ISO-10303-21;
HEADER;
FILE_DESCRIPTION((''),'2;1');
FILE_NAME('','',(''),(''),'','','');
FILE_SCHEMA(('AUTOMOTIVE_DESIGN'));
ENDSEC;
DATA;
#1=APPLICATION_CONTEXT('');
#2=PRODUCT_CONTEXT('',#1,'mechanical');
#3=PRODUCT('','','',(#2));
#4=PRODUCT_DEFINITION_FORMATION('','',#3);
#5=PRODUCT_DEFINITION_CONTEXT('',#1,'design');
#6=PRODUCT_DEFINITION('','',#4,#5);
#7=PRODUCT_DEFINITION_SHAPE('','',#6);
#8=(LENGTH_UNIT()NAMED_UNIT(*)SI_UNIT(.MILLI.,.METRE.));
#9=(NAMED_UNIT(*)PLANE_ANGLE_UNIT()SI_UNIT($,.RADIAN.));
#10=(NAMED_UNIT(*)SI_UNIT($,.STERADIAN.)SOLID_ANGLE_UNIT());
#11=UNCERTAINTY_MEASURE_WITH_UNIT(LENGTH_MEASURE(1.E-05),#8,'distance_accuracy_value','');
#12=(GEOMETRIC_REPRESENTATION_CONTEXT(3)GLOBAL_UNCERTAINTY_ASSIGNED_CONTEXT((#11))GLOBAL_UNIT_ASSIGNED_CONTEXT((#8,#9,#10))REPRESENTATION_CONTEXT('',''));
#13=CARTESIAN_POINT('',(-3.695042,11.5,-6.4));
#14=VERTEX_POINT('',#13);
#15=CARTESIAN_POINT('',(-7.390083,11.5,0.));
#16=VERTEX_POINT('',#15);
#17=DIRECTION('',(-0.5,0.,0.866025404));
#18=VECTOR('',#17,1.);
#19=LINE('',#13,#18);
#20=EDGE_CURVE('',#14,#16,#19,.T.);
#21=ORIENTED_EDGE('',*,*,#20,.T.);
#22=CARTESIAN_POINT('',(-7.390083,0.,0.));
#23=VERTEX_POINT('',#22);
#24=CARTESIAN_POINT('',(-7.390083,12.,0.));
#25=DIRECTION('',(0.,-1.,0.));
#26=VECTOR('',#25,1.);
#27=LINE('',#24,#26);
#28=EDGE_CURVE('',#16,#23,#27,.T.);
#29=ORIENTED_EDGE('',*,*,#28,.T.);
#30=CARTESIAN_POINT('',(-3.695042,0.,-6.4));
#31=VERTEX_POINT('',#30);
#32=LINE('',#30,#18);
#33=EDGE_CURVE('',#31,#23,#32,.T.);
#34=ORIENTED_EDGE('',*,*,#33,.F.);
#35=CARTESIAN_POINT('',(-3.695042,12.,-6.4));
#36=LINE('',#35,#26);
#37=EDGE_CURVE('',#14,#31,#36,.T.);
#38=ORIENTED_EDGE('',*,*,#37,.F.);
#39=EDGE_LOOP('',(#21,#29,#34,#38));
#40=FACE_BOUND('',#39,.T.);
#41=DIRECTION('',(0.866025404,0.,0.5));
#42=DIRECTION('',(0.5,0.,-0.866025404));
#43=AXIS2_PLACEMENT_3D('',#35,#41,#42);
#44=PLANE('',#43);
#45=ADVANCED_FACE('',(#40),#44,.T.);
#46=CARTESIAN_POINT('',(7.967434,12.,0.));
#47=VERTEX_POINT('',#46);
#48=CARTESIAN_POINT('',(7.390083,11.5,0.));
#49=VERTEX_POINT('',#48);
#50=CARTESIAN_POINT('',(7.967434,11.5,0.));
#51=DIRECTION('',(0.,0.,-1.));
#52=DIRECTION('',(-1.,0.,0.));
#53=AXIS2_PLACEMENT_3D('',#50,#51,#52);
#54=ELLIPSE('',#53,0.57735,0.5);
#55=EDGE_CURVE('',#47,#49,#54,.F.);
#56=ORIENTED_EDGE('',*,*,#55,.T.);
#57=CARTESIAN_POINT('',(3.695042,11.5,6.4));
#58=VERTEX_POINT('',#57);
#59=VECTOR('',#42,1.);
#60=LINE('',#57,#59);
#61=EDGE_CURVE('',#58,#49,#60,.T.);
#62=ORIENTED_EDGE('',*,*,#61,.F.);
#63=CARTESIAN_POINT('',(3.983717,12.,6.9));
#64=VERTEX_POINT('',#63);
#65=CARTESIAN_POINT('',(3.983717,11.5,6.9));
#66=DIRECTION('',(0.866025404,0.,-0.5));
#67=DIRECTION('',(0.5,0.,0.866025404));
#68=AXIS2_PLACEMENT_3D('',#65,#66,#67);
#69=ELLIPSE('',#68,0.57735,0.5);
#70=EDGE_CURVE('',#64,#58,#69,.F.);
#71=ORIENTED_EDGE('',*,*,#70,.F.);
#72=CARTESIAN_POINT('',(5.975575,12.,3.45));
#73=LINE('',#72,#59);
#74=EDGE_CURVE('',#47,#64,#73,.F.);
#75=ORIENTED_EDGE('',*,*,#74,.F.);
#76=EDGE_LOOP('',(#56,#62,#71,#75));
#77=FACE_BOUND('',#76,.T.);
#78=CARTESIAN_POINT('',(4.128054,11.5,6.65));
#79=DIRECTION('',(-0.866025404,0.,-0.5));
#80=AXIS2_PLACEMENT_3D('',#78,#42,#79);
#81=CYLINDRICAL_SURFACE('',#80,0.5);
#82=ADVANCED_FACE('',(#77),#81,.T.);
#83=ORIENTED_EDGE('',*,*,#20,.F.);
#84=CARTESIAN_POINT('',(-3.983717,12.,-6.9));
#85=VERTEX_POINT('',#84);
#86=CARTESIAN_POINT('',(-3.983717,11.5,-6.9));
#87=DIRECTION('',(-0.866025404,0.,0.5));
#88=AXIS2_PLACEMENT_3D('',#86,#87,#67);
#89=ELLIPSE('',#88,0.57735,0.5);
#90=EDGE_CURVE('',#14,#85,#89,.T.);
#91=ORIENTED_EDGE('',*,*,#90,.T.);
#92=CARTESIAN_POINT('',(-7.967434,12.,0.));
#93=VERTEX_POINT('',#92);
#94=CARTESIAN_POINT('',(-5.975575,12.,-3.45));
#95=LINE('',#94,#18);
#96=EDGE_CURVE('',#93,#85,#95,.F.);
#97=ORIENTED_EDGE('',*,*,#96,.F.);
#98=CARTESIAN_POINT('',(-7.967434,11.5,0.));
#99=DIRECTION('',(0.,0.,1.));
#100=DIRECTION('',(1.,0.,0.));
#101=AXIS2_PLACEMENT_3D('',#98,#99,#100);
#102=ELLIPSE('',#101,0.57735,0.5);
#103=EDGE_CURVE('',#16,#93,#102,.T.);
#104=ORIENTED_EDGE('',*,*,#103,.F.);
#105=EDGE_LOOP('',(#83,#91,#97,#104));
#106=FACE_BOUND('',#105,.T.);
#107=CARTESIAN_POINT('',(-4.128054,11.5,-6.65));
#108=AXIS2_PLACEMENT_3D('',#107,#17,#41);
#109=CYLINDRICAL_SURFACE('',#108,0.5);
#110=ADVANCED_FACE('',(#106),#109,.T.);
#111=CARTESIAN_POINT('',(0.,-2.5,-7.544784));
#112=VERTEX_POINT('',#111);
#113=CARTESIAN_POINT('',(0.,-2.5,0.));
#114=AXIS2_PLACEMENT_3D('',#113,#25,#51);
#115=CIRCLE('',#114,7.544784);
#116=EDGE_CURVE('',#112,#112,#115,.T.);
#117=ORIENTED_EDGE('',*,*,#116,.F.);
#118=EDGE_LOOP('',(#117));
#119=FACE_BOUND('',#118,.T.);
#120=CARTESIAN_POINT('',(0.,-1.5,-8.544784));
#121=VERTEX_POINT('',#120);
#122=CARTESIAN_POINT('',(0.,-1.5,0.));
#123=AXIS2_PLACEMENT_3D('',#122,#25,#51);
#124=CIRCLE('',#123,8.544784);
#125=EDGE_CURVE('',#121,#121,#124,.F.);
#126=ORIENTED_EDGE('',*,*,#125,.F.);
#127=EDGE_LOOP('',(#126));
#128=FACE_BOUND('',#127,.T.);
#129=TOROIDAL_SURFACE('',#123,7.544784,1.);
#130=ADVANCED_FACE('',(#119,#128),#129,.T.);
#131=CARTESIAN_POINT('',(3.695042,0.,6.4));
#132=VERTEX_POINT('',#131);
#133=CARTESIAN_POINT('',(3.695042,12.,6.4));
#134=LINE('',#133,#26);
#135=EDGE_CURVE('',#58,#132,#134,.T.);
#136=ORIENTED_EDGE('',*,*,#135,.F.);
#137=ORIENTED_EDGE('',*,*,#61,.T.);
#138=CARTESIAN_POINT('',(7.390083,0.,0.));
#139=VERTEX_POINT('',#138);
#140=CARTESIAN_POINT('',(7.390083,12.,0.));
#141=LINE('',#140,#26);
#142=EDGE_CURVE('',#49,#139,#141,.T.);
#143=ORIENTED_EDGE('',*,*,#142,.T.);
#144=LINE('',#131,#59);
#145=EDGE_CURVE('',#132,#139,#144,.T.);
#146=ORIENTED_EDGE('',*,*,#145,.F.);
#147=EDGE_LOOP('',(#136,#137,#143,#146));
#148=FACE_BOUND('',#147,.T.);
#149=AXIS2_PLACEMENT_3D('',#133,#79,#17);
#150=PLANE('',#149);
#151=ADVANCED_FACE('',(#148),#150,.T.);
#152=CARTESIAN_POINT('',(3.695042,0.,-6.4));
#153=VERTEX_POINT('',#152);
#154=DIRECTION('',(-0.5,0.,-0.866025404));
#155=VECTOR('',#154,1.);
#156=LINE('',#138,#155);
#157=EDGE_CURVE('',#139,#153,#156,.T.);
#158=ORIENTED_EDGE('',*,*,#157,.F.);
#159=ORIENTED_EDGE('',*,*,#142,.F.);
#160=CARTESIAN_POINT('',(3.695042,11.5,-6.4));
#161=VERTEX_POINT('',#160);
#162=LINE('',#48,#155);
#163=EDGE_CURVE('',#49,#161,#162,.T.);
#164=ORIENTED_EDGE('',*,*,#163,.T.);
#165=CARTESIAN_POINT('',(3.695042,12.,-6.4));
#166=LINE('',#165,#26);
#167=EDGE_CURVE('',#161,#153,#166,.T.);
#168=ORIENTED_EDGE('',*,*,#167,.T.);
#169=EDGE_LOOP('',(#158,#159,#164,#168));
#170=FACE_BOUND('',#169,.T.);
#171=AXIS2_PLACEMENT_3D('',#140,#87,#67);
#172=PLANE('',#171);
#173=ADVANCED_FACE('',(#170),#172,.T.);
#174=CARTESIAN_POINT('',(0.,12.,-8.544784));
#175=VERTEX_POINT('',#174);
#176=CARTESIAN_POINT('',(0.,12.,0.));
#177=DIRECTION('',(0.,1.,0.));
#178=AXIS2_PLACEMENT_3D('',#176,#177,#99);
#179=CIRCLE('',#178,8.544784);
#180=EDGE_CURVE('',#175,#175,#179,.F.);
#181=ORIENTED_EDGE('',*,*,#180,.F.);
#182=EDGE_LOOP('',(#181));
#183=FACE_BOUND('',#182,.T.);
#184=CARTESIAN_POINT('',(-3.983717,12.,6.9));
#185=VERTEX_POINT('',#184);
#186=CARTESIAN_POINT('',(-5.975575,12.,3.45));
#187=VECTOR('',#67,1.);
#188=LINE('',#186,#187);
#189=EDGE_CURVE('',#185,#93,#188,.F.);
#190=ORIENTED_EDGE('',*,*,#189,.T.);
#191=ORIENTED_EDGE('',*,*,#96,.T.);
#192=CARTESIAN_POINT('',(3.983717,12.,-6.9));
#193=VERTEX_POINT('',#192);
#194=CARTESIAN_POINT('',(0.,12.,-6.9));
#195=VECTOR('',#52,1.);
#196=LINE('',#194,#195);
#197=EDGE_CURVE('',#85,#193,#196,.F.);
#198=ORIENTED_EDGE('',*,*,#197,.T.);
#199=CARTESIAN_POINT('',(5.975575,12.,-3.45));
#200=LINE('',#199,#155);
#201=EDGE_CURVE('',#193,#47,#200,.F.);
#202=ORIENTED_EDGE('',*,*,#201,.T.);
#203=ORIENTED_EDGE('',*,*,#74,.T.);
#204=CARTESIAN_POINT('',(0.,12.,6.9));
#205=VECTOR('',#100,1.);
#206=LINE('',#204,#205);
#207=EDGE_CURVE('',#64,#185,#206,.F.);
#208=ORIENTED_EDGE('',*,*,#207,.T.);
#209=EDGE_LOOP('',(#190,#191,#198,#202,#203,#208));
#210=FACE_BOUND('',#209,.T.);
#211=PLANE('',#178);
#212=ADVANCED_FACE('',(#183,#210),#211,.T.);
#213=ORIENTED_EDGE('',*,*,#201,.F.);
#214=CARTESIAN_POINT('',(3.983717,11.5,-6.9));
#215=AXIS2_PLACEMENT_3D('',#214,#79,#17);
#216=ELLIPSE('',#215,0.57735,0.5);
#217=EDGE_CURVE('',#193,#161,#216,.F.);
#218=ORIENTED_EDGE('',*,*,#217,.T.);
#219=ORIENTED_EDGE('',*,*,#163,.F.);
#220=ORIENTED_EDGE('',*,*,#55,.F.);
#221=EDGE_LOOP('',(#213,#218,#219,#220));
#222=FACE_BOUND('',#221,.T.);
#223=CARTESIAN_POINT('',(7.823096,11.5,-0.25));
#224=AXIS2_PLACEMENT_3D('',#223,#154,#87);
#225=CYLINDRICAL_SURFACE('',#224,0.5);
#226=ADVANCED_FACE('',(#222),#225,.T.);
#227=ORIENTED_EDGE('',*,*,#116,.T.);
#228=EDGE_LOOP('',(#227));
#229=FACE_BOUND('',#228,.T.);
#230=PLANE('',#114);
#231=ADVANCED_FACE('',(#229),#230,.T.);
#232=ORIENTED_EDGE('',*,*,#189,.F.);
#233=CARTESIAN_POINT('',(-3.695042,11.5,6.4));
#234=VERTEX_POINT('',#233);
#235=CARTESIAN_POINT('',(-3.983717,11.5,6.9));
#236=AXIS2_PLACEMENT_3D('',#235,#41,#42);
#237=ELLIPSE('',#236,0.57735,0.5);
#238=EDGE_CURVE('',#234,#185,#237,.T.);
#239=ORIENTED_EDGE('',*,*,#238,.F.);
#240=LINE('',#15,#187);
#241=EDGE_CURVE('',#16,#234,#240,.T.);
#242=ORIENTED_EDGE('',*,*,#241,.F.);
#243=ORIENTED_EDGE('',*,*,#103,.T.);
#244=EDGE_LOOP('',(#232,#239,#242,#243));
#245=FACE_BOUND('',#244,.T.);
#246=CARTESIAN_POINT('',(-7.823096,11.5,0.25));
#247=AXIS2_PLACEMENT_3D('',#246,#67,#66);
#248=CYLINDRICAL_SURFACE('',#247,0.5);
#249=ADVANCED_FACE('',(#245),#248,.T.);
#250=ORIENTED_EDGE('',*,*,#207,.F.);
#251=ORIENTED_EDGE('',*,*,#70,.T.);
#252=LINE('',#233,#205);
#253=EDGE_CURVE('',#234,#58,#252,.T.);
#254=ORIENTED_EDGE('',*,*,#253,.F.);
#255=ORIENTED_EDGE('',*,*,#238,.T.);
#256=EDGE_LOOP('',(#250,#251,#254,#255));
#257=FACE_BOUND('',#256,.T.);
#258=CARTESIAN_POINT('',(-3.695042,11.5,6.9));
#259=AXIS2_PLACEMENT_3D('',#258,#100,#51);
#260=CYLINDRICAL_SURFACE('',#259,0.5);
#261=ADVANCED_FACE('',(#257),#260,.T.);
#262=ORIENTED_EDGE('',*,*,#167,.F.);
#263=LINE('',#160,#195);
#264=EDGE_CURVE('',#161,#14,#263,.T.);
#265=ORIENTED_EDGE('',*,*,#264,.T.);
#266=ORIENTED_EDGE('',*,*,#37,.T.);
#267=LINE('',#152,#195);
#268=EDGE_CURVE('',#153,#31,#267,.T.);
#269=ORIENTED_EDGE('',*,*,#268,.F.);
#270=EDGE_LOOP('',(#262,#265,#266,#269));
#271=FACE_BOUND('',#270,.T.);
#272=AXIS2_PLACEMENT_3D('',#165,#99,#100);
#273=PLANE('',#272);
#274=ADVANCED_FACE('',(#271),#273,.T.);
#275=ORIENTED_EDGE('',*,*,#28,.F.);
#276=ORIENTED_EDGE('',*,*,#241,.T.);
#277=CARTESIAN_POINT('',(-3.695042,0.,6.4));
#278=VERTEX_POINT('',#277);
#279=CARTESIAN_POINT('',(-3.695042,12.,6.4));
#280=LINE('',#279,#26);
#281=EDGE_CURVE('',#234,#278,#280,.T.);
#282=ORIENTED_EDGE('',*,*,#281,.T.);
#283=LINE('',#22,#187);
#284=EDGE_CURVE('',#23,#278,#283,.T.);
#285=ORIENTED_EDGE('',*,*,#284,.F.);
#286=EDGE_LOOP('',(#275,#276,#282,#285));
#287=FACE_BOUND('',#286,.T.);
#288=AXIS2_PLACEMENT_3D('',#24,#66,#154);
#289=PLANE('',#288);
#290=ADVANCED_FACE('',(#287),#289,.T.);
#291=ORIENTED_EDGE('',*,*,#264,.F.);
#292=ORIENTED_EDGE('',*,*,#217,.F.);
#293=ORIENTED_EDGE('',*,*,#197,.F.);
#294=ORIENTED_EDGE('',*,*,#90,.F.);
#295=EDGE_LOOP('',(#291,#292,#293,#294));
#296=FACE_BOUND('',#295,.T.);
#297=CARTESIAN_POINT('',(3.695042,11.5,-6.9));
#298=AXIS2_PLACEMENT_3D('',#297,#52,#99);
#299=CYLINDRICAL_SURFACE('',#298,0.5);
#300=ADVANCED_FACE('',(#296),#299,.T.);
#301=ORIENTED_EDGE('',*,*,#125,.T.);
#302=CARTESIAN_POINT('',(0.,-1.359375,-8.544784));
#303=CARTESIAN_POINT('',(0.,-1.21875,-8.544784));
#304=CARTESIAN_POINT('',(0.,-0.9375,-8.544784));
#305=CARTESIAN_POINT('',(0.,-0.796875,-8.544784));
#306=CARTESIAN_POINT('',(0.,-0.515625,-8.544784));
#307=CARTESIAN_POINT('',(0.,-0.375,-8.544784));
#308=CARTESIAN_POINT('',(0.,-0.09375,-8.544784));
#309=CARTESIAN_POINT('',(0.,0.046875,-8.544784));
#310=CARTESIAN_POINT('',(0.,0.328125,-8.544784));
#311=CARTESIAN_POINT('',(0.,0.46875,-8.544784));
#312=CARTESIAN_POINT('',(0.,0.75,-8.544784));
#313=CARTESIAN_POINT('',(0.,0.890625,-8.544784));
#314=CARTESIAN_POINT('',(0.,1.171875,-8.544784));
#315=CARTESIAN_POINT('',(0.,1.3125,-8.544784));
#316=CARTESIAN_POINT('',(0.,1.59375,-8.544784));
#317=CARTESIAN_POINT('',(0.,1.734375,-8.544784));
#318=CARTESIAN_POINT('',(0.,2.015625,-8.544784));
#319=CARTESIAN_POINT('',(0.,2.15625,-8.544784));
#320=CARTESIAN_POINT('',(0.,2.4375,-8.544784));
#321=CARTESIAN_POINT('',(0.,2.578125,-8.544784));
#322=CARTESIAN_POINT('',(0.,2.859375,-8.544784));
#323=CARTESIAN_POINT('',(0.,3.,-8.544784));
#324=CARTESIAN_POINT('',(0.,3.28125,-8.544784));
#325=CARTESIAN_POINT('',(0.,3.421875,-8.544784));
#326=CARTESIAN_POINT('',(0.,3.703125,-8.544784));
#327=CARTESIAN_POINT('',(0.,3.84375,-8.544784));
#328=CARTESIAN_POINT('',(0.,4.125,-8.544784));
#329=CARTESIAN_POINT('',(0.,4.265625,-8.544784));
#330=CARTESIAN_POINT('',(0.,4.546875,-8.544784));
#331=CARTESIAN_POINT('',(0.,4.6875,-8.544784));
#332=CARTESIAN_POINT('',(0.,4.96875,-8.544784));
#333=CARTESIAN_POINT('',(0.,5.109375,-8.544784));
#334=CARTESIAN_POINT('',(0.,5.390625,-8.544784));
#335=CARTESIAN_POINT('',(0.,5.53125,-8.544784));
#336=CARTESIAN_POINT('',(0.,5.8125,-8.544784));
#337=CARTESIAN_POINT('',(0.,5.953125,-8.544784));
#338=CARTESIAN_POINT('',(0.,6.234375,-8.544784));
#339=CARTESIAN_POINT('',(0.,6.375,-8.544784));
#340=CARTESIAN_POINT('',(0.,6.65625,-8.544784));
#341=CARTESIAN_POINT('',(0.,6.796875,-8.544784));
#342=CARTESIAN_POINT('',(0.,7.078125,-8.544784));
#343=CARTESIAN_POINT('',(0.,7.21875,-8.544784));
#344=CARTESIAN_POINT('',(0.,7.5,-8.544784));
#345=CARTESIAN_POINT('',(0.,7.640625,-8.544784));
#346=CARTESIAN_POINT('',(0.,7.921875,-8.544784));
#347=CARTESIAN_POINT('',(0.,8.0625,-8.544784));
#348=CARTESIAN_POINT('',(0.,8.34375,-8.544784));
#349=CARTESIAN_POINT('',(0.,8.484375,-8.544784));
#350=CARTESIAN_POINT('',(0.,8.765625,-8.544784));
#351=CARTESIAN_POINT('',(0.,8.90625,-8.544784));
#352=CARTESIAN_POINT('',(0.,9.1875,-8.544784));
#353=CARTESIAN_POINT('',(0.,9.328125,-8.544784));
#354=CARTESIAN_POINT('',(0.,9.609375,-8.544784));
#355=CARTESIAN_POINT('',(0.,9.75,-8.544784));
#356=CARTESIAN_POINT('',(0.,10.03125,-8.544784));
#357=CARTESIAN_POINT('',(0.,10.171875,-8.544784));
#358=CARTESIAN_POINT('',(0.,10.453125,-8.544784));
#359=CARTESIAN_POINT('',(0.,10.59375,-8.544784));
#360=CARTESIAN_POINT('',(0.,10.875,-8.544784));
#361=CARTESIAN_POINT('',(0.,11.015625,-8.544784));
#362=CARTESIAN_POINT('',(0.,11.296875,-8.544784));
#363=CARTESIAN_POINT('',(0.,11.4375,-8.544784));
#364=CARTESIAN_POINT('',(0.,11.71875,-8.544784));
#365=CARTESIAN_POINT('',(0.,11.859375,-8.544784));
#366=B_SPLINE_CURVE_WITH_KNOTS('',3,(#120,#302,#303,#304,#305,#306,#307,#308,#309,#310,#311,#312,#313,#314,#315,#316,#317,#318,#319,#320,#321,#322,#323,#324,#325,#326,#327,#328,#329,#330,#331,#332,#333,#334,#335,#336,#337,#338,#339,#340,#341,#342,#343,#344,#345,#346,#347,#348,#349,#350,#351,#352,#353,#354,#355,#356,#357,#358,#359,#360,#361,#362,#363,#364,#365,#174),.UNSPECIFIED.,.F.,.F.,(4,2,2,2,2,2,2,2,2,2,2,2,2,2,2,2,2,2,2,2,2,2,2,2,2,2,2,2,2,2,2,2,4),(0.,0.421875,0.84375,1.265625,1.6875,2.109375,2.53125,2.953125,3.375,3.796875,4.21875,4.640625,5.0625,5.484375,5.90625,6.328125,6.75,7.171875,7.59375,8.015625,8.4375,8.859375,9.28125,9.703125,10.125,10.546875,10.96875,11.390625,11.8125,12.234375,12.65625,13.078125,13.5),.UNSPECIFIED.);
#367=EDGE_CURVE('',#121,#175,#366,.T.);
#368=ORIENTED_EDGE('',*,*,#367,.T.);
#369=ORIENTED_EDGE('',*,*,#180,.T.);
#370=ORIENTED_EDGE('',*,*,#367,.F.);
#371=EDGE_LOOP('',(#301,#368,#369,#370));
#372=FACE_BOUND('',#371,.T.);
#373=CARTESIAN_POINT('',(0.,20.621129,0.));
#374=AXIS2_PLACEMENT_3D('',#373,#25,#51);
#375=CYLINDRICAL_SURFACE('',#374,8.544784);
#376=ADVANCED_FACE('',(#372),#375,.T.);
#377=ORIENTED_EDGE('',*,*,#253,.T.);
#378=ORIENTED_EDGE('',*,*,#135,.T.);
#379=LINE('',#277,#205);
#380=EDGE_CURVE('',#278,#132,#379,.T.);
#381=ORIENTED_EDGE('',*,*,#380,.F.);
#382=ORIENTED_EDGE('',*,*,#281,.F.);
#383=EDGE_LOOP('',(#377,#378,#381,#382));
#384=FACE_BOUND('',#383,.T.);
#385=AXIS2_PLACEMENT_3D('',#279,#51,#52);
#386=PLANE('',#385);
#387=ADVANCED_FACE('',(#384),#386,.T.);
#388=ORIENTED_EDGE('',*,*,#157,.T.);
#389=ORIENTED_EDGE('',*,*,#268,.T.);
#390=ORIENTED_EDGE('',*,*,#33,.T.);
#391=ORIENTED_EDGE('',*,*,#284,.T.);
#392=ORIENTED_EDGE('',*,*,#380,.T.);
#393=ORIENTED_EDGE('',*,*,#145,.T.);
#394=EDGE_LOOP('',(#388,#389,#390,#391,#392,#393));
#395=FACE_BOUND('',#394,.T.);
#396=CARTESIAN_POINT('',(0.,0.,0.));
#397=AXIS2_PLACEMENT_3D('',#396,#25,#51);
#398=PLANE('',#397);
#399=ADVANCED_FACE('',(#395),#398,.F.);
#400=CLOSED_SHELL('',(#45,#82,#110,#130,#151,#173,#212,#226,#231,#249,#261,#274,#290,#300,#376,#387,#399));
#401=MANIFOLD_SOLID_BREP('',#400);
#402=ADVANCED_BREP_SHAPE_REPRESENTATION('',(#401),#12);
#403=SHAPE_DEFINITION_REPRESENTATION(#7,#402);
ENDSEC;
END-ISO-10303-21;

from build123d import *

# Parameters (mm, degrees)
SALIENTE_EXTRUIR1_DEPTH = 12
SALIENTE_EXTRUIR2_DEPTH = 2.5
REDONDEO2_R             = 0.5
SALIENTE_EXTRUIR4_DEPTH = 14.5
REDONDEO5_R             = 1


with BuildPart() as part:
    # Croquis1 → Saliente-Extruir1 (new body)
    with BuildSketch(Plane(origin=(0, 0, 0), x_dir=(1, 0, 0), z_dir=(0, 1, 0))):
        Polygon((8.544783984006465, -6.5e-16), (4.272391992003232, 7.400000000000002), (-4.27239199200323, 7.400000000000003), (-8.544783984006463, 1.3e-15), (-4.272391992003225, -7.400000000000005), (4.272391992003232, -7.400000000000004), align=None)
        Polygon((-3.6950417228136043, 6.400000000000002), (-7.390083445627212, 8.7e-16), (-3.6950417228136003, -6.400000000000005), (3.695041722813607, -6.400000000000004), (7.390083445627214, -1.74e-15), (3.695041722813606, 6.400000000000002), align=None, mode=Mode.SUBTRACT)
    extrude(amount=SALIENTE_EXTRUIR1_DEPTH)

    # Croquis2 → Saliente-Extruir2 (add)
    with BuildSketch(Plane.XZ):
        Polygon((8.544783984006465, 6.5e-16), (4.272391992003232, 7.400000000000004), (-4.272391992003225, 7.400000000000005), (-8.544783984006463, -1.3e-15), (-4.27239199200323, -7.400000000000003), (4.272391992003232, -7.400000000000002), align=None)
    extrude(amount=SALIENTE_EXTRUIR2_DEPTH)

    # Redondeo2
    redondeo2_edges = [part.edges().sort_by_distance(p)[0] for p in [
        (8.9e-16, 12, -6.400000000000002),
        (-5.542562584220408, 12, -3.2000000000000015),
        (-5.5425625842204065, 12, 3.200000000000002),
        (3.11e-15, 12, 6.400000000000005),
        (5.542562584220411, 12, 3.200000000000003),
        (5.54256258422041, 12, -3.2),
    ]]
    fillet(redondeo2_edges, radius=REDONDEO2_R)

    # Croquis3 → Saliente-Extruir4 (add)
    with BuildSketch(Plane.XZ.offset(2.5)):
        with BuildLine():
            Line((4.272391992003232, 7.400000000000004), (8.544783984006465, 6.5e-16))
            ThreePointArc((8.544783984006463, 0), (7.400000000000001, 4.272391992003231), (4.2723919920032305, 7.400000000000002))
        make_face()
        with BuildLine():
            ThreePointArc((4.2723919920032305, 7.400000000000002), (2.42e-15, 8.544783984006463), (-4.272391992003226, 7.400000000000004))
            Line((-4.272391992003225, 7.400000000000005), (4.272391992003232, 7.400000000000004))
        make_face()
        with BuildLine():
            ThreePointArc((-4.272391992003226, 7.400000000000004), (-7.3999999999999995, 4.272391992003234), (-8.544783984006463, 1.05e-15))
            Line((-8.544783984006463, -8.9e-16), (-4.272391992003225, 7.400000000000005))
        make_face()
        with BuildLine():
            ThreePointArc((-8.544783984006463, 1.05e-15), (-7.400000000000001, -4.272391992003232), (-4.272391992003228, -7.400000000000003))
            Line((-4.27239199200323, -7.400000000000003), (-8.544783984006463, -1.3e-15))
        make_face()
        with BuildLine():
            Line((4.272391992003231, -7.400000000000002), (-4.27239199200323, -7.400000000000003))
            ThreePointArc((-4.272391992003228, -7.400000000000003), (-1.57e-15, -8.544783984006463), (4.272391992003226, -7.400000000000005))
        make_face()
        with BuildLine():
            Line((8.544783984006465, 8.9e-16), (4.272391992003232, -7.400000000000002))
            ThreePointArc((4.272391992003226, -7.400000000000005), (7.399999999999999, -4.272391992003235), (8.544783984006463, -2.09e-15))
        make_face()
    extrude(amount=-SALIENTE_EXTRUIR4_DEPTH)

    # Redondeo5
    redondeo5_edges = [part.edges().sort_by_distance(p)[0] for p in [
        (8.544783984006457, -2.5, -2.9e-16),
    ]]
    fillet(redondeo5_edges, radius=REDONDEO5_R)


solid = part.part
